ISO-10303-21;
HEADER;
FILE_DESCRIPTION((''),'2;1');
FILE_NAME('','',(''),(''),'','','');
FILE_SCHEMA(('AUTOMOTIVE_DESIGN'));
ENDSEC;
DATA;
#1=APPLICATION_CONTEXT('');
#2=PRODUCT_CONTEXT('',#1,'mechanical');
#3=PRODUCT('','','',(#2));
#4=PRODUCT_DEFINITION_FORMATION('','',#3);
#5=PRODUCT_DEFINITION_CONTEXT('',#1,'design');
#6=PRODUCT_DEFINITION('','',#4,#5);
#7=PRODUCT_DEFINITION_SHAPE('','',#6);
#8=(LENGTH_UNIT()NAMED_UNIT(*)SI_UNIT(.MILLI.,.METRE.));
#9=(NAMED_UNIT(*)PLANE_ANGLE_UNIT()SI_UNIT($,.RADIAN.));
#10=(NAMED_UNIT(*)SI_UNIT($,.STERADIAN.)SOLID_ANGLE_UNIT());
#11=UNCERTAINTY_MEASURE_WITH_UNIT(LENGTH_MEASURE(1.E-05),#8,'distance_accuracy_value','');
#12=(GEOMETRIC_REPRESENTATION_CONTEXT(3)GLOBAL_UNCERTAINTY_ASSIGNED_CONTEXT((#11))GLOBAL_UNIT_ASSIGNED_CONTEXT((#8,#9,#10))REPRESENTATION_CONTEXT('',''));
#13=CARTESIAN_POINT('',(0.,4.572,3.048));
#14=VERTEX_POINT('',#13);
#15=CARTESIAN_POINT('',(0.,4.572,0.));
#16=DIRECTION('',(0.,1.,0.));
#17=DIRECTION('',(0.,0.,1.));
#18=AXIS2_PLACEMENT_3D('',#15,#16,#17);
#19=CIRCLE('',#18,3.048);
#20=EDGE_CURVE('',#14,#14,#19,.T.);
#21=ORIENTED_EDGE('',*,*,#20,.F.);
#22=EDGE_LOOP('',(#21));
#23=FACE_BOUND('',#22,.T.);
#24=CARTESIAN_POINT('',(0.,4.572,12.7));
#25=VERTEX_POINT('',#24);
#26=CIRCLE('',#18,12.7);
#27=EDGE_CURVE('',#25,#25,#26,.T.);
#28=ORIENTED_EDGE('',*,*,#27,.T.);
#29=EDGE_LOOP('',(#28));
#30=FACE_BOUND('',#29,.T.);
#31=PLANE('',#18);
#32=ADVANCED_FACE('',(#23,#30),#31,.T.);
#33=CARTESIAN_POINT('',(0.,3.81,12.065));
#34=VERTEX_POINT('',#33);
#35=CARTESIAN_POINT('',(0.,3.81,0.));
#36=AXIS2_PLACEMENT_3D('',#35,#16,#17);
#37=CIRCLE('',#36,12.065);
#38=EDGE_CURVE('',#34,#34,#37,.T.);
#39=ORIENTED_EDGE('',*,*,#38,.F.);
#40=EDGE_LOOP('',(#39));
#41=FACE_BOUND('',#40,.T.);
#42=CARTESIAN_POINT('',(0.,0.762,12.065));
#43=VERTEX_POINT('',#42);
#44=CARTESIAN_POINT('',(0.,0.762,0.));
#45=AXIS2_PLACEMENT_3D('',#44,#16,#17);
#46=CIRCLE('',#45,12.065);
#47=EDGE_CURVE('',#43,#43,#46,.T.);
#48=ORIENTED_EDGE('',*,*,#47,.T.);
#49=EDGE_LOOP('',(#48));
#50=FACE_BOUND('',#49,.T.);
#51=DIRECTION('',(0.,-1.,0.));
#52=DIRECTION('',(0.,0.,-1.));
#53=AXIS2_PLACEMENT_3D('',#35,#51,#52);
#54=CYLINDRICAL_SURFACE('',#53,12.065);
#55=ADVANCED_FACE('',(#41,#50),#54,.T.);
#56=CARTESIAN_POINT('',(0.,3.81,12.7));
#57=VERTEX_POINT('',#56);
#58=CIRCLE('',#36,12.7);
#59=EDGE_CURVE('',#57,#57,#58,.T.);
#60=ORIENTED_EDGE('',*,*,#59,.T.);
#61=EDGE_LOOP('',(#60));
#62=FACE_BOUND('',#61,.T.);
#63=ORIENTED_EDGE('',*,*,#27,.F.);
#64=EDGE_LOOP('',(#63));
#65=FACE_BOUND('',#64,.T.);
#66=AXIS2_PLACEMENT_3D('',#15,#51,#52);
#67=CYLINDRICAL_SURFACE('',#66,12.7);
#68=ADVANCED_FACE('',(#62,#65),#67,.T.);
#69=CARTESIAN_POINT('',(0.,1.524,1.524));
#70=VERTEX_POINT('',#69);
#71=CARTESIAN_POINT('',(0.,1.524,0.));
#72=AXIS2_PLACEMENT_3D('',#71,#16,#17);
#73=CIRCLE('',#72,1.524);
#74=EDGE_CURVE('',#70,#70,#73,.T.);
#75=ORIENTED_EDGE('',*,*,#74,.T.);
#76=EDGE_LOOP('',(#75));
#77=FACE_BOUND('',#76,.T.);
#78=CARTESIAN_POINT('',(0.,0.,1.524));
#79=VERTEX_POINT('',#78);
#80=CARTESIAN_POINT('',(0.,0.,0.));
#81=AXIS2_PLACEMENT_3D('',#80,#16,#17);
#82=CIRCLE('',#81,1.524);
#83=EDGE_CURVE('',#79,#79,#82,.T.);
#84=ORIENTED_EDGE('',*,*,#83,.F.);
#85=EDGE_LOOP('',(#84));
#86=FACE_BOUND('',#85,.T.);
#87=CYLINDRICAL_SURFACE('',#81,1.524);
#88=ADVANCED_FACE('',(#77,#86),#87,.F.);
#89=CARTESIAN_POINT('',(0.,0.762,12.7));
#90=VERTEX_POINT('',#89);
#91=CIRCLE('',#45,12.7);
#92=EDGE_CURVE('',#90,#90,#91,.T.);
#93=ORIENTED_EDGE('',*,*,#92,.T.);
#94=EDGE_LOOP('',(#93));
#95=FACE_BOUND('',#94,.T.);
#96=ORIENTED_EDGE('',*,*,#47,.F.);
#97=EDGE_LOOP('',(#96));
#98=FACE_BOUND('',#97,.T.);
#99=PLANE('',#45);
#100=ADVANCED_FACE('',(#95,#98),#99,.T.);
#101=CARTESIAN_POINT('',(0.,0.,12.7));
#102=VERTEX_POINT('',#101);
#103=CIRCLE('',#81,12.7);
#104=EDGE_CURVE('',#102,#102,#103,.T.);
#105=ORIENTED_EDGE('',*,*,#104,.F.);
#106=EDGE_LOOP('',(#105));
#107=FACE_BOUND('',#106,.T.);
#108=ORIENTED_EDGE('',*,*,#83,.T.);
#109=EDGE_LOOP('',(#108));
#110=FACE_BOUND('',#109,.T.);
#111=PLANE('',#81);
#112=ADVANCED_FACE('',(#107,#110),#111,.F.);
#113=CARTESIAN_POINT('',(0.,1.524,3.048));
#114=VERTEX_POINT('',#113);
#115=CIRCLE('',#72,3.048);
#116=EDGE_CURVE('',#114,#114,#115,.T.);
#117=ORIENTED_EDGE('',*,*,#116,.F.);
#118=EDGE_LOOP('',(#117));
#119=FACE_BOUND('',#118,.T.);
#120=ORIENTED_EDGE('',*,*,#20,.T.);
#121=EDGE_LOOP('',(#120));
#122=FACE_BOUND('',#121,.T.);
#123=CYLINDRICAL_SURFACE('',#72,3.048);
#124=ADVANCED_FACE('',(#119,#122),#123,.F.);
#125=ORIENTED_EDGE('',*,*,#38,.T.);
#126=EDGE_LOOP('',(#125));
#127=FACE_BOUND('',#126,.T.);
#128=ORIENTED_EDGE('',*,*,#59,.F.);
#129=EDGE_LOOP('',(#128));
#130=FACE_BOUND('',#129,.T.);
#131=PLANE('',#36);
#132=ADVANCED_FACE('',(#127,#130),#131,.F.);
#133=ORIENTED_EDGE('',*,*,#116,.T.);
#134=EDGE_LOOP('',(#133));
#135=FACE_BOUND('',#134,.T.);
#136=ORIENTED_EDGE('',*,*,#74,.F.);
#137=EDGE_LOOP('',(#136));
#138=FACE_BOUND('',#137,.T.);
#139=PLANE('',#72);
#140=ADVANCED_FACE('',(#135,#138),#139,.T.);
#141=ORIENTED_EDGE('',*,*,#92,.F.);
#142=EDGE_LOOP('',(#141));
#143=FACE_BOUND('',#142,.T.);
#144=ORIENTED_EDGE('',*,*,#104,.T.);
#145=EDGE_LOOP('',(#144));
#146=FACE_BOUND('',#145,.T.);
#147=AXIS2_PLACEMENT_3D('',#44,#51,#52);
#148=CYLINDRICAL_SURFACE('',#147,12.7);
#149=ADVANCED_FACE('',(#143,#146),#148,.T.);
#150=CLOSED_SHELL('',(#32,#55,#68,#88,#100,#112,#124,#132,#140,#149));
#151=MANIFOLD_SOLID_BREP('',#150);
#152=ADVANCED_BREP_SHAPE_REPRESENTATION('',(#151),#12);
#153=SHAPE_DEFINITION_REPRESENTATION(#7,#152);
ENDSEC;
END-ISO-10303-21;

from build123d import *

# Parameters (mm, degrees)
SKETCH1_R           = 12.7
BOSS_EXTRUDE1_DEPTH = 0.762
SKETCH2_R           = 12.065
BOSS_EXTRUDE2_DEPTH = 3.048
SKETCH3_R           = 12.7
BOSS_EXTRUDE3_DEPTH = 0.762
SKETCH4_R           = 3.048
CUT_EXTRUDE1_DEPTH  = 3.048
SKETCH5_R           = 1.524
CUT_EXTRUDE2_DEPTH  = 2.524


with BuildPart() as part:
    # Sketch1 → Boss-Extrude1 (new body)
    with BuildSketch(Plane(origin=(0, 0, 0), x_dir=(1, 0, 0), z_dir=(0, 1, 0))):
        Circle(SKETCH1_R)
    extrude(amount=BOSS_EXTRUDE1_DEPTH)

    # Sketch2 → Boss-Extrude2 (add)
    with BuildSketch(Plane(origin=(0, 0.762, 0), x_dir=(1, 0, 0), z_dir=(0, 1, 0))):
        Circle(SKETCH2_R)
    extrude(amount=BOSS_EXTRUDE2_DEPTH)

    # Sketch3 → Boss-Extrude3 (add)
    with BuildSketch(Plane(origin=(0, 3.81, 0), x_dir=(1, 0, 0), z_dir=(0, 1, 0))):
        Circle(SKETCH3_R)
    extrude(amount=BOSS_EXTRUDE3_DEPTH)

    # Sketch4 → Cut-Extrude1 (cut)
    with BuildSketch(Plane(origin=(0, 4.572, 0), x_dir=(1, 0, 0), z_dir=(0, 1, 0))):
        Circle(SKETCH4_R)
    extrude(amount=-CUT_EXTRUDE1_DEPTH, mode=Mode.SUBTRACT)

    # Sketch5 → Cut-Extrude2 (cut, through all)
    with BuildSketch(Plane(origin=(0, 1.524, 0), x_dir=(1, 0, 0), z_dir=(0, 1, 0))):
        Circle(SKETCH5_R)
    extrude(amount=-CUT_EXTRUDE2_DEPTH, mode=Mode.SUBTRACT)


solid = part.part
